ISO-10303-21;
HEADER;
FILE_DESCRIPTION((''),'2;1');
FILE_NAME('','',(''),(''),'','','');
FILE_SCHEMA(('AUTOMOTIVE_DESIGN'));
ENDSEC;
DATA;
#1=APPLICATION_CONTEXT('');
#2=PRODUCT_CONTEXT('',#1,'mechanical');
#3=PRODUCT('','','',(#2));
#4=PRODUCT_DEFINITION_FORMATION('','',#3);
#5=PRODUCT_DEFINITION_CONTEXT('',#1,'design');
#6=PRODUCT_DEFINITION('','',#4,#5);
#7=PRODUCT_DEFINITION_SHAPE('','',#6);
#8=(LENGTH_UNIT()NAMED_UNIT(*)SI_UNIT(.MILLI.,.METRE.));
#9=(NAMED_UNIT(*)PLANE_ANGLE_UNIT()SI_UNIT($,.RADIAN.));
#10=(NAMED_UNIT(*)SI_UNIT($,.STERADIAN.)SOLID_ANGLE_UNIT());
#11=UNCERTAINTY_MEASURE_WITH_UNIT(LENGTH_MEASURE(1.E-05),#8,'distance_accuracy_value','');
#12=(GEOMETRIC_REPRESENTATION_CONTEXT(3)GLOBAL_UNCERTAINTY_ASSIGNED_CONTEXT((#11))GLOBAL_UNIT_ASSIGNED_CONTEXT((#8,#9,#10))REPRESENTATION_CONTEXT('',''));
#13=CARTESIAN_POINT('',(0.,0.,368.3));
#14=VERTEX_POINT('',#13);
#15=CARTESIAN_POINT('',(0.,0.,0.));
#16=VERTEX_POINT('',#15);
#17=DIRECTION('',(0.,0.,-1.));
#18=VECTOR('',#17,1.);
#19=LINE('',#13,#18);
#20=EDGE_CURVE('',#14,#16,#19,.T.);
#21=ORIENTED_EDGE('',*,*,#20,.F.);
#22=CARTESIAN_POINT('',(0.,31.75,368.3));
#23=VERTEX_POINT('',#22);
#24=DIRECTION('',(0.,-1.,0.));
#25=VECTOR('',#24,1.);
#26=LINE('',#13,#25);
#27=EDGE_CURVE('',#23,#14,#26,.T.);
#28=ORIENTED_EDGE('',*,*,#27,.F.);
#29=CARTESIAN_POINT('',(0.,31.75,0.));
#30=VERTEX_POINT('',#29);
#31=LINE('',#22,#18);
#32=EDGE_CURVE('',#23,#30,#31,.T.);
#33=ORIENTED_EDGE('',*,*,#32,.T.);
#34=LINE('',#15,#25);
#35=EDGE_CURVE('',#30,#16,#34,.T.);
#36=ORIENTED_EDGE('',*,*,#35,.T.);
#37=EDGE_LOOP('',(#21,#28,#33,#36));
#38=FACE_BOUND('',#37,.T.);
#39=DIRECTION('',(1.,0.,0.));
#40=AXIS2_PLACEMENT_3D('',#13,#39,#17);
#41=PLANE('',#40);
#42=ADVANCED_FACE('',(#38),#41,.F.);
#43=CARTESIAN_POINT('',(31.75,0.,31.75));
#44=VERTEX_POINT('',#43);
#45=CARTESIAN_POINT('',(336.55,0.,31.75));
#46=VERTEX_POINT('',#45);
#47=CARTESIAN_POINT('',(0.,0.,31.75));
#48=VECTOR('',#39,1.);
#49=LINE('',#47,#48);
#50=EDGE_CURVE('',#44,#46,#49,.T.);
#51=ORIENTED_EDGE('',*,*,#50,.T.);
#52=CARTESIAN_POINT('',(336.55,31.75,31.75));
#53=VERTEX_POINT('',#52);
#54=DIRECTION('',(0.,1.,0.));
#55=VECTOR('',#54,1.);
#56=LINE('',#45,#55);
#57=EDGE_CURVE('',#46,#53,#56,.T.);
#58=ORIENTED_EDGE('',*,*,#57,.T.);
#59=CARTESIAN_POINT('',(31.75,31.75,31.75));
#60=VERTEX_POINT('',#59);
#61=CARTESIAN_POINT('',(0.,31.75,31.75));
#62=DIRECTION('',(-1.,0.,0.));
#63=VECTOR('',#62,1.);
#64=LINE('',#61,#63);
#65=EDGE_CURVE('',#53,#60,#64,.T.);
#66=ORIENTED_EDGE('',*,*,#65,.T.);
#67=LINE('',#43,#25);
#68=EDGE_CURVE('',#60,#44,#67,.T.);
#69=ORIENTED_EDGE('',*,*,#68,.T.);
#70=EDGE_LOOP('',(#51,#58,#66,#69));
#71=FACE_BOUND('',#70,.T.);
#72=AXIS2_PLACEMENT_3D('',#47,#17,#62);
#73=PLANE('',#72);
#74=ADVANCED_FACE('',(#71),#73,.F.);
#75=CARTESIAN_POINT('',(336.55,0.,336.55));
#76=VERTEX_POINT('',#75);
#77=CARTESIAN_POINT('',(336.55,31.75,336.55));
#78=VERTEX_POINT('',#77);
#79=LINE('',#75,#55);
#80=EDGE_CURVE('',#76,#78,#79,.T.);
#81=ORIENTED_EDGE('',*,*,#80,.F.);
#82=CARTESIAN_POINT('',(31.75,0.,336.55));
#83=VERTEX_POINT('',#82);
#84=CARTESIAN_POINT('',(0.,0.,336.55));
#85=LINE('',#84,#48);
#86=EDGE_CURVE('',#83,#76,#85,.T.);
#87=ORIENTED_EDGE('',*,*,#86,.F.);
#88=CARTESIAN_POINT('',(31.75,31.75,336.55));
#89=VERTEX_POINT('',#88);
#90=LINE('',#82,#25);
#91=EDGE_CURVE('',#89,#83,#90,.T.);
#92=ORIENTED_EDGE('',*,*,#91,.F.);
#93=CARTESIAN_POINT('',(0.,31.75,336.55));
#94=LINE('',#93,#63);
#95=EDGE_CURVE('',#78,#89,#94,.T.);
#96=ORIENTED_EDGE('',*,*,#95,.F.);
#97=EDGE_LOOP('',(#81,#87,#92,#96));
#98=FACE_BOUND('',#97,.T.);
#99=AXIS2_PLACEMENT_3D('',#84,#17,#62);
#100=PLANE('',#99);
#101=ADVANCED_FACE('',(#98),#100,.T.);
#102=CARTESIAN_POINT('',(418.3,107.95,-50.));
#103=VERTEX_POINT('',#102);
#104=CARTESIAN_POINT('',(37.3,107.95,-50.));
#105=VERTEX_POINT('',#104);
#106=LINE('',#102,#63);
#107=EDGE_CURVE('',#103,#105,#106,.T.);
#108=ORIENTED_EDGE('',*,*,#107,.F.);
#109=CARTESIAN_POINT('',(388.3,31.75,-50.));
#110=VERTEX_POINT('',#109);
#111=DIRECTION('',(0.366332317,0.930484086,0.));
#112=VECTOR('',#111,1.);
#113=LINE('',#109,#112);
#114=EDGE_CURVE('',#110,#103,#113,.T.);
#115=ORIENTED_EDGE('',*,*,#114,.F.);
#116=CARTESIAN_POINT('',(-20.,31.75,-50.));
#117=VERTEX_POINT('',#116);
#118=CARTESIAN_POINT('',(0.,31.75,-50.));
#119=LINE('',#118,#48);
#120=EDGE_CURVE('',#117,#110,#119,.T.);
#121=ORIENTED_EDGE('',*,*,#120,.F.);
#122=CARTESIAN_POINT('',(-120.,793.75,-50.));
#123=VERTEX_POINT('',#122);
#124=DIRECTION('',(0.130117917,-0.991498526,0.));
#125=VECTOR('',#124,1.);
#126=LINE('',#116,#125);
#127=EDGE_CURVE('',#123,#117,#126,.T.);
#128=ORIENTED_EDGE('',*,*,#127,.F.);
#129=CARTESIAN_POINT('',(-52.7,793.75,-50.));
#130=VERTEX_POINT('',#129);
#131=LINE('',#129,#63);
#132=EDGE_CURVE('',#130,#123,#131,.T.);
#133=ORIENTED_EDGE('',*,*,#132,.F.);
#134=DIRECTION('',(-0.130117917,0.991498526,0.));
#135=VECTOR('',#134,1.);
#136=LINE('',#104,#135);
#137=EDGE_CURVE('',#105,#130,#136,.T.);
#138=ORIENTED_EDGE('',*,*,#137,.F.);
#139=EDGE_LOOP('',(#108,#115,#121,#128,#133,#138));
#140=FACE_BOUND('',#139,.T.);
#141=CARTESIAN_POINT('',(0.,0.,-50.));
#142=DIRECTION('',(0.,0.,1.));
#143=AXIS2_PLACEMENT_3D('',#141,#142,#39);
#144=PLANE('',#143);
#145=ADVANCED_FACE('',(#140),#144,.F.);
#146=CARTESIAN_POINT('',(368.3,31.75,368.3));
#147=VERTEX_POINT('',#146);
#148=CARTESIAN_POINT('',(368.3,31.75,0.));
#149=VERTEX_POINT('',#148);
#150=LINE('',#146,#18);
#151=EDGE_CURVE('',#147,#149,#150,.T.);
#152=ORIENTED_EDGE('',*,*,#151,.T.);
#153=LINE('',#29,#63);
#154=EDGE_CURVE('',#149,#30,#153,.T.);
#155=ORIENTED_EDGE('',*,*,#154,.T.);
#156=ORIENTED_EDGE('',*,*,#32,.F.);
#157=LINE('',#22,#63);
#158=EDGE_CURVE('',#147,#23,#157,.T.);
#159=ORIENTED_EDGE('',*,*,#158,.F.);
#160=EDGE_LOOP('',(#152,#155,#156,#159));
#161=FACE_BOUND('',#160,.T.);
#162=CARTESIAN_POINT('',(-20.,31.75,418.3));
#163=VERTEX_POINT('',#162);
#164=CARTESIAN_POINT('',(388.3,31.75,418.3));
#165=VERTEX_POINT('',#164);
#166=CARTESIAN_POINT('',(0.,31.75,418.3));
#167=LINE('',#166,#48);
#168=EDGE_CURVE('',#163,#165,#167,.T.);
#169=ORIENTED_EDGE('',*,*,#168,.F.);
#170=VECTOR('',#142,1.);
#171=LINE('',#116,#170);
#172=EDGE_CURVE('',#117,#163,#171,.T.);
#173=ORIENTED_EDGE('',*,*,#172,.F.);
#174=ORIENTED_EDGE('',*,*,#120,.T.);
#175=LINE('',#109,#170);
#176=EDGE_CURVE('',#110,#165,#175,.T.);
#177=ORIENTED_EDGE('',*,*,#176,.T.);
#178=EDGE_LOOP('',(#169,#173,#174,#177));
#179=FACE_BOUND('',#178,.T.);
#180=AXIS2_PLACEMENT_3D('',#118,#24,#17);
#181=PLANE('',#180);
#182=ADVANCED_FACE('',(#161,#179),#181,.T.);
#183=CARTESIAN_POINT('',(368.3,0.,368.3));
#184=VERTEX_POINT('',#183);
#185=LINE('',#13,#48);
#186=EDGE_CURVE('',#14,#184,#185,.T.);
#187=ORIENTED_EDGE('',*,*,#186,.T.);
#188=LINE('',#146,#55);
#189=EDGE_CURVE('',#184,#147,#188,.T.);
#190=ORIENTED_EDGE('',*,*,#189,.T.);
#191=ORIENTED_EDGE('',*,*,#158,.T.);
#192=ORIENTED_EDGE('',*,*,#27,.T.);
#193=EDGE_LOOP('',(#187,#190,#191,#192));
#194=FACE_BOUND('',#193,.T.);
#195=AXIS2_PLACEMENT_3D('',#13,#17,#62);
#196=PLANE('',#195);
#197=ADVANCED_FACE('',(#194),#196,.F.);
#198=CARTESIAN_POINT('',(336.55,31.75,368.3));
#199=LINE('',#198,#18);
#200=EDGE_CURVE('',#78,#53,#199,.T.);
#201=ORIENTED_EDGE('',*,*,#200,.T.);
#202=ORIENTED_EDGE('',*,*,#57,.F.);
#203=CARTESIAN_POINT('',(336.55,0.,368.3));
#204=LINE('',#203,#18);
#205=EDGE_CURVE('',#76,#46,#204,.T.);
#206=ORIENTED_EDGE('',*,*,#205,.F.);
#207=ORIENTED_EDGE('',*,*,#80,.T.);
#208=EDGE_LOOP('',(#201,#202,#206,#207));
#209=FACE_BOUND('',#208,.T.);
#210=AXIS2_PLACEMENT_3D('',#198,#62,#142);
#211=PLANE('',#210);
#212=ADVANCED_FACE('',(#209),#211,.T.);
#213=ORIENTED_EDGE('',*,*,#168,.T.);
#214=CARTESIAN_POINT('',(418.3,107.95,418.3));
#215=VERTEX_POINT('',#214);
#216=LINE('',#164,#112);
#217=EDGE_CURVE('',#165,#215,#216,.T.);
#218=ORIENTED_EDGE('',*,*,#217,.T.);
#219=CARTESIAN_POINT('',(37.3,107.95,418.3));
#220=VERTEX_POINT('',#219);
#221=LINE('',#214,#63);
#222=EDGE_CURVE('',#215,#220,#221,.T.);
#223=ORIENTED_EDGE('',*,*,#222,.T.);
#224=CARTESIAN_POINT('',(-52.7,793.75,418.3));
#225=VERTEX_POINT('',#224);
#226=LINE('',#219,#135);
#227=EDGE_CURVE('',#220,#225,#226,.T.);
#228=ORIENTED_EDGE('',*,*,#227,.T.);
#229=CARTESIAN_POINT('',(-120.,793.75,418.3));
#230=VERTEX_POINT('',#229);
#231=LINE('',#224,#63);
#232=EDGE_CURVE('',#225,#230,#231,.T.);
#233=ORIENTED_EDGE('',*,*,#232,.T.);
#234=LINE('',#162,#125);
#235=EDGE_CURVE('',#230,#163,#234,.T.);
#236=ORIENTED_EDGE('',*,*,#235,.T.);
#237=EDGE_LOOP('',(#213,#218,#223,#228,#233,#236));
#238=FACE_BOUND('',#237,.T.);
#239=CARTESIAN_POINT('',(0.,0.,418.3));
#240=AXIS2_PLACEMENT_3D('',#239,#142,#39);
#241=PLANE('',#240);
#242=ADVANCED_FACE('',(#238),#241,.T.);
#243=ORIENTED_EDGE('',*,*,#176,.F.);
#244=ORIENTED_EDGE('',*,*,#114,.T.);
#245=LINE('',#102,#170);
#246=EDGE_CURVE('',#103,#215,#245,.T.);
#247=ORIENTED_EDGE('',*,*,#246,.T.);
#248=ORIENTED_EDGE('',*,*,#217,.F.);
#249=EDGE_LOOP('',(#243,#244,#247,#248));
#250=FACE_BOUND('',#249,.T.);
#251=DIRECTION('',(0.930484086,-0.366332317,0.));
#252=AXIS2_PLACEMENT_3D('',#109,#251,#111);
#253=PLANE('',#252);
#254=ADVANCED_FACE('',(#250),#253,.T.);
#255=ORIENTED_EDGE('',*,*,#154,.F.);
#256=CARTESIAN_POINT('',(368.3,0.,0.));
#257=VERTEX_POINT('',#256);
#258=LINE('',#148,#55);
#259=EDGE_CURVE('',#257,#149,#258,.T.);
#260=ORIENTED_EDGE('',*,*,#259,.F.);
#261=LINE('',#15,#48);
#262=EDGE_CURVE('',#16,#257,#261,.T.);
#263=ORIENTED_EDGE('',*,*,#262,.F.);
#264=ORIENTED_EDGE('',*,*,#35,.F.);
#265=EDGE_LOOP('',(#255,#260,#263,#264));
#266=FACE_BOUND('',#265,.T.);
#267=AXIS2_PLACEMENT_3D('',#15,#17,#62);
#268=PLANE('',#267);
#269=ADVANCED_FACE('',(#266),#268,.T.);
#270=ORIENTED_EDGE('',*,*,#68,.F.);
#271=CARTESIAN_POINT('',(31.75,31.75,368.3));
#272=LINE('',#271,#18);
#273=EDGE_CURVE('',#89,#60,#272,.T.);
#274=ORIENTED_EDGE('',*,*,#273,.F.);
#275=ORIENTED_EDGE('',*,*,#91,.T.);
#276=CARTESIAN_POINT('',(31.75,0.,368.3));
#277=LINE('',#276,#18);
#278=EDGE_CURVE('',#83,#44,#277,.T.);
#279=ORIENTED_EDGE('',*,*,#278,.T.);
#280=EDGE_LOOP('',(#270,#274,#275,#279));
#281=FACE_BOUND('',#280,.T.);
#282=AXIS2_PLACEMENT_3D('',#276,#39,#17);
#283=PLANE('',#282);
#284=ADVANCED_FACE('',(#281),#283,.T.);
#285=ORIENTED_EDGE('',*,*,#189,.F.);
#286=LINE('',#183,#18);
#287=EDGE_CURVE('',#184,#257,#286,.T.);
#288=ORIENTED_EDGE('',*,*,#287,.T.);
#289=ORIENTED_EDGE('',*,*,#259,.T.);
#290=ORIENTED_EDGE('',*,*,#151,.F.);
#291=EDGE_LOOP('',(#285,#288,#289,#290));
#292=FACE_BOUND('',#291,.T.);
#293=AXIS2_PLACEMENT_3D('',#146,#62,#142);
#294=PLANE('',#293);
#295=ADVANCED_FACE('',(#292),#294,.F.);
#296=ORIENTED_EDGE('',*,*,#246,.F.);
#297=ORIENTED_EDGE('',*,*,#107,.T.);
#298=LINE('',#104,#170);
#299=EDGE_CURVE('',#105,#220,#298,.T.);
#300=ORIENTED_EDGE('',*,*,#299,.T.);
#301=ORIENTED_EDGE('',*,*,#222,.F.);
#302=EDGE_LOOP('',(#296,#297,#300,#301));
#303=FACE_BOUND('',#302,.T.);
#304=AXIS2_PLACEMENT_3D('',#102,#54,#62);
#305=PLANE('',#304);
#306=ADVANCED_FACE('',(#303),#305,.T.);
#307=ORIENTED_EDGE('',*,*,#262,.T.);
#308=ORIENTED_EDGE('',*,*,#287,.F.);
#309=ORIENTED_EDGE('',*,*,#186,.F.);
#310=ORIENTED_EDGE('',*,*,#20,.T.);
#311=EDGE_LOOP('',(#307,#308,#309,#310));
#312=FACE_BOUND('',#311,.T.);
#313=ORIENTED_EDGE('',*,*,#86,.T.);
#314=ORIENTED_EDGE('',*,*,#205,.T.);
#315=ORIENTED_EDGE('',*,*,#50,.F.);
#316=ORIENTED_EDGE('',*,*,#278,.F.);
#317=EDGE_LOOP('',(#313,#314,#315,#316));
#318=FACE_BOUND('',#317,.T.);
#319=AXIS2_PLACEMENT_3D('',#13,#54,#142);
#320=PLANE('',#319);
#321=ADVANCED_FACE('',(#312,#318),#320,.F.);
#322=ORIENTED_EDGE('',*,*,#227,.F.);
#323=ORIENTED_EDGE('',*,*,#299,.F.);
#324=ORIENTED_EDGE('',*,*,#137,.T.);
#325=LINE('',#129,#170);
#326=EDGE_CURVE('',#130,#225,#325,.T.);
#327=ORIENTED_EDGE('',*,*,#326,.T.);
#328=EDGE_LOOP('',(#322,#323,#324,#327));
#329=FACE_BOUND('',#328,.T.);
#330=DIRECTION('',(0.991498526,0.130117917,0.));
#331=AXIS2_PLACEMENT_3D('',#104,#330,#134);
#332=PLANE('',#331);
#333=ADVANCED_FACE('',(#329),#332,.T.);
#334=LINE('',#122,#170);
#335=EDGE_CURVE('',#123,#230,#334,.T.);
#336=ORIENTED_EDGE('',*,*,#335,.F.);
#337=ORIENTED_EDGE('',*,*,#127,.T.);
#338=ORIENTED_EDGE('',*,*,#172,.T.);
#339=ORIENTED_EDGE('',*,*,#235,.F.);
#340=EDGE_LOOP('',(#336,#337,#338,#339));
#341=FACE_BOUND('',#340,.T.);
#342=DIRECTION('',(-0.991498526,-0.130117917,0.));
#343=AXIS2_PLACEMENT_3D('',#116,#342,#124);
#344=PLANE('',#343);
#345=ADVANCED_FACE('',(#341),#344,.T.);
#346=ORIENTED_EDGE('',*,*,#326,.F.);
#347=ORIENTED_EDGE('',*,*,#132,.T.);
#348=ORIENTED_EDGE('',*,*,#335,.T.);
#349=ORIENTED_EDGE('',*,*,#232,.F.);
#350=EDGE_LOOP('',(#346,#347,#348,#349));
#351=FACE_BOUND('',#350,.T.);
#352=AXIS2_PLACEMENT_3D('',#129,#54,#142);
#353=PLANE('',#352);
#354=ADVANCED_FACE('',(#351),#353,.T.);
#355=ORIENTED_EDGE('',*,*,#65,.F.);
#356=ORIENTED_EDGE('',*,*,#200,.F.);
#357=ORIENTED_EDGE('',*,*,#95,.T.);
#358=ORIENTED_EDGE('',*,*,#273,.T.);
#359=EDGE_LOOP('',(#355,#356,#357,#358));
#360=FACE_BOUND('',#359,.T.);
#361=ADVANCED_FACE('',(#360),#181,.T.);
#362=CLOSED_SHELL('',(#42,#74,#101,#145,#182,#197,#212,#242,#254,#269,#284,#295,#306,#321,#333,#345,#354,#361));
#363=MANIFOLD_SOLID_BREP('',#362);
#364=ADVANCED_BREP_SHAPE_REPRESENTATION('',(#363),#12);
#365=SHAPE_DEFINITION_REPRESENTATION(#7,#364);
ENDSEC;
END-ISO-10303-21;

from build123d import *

# Parameters (mm, degrees)
SKETCH1_W                = 368.3
SKETCH1_H                = 31.75
BOSS_EXTRUDE1_DEPTH      = 368.3
SHELL1_T                 = -31.75
BOSS_EXTRUDE2_DEPTH      = 418.3
BOSS_EXTRUDE2_DEPTH_BACK = 50


with BuildPart() as part:
    # Sketch1 → Boss-Extrude1 (new body)
    with BuildSketch(Plane.XY):
        with Locations((184.15, 15.875)):
            Rectangle(SKETCH1_W, SKETCH1_H)
    extrude(amount=BOSS_EXTRUDE1_DEPTH)

    # Shell1
    shell1_openings = [part.faces().sort_by_distance(p)[0] for p in [
        (184.15, 31.75, 184.15),
        (184.15, 0, 184.15),
    ]]
    offset(amount=SHELL1_T, openings=shell1_openings, kind=Kind.INTERSECTION)

    # Sketch2 → Boss-Extrude2 (add, two sides: drawn at the far end of the back side and taken through both)
    with BuildSketch(Plane.XY.offset(-BOSS_EXTRUDE2_DEPTH_BACK)):
        Polygon((368.3, 31.75), (388.3, 31.75), (418.3, 107.95), (37.3, 107.95), (-52.7, 793.75), (-120, 793.75), (-20, 31.75), (0, 31.75), align=None)
    extrude(amount=BOSS_EXTRUDE2_DEPTH + BOSS_EXTRUDE2_DEPTH_BACK)


solid = part.part
